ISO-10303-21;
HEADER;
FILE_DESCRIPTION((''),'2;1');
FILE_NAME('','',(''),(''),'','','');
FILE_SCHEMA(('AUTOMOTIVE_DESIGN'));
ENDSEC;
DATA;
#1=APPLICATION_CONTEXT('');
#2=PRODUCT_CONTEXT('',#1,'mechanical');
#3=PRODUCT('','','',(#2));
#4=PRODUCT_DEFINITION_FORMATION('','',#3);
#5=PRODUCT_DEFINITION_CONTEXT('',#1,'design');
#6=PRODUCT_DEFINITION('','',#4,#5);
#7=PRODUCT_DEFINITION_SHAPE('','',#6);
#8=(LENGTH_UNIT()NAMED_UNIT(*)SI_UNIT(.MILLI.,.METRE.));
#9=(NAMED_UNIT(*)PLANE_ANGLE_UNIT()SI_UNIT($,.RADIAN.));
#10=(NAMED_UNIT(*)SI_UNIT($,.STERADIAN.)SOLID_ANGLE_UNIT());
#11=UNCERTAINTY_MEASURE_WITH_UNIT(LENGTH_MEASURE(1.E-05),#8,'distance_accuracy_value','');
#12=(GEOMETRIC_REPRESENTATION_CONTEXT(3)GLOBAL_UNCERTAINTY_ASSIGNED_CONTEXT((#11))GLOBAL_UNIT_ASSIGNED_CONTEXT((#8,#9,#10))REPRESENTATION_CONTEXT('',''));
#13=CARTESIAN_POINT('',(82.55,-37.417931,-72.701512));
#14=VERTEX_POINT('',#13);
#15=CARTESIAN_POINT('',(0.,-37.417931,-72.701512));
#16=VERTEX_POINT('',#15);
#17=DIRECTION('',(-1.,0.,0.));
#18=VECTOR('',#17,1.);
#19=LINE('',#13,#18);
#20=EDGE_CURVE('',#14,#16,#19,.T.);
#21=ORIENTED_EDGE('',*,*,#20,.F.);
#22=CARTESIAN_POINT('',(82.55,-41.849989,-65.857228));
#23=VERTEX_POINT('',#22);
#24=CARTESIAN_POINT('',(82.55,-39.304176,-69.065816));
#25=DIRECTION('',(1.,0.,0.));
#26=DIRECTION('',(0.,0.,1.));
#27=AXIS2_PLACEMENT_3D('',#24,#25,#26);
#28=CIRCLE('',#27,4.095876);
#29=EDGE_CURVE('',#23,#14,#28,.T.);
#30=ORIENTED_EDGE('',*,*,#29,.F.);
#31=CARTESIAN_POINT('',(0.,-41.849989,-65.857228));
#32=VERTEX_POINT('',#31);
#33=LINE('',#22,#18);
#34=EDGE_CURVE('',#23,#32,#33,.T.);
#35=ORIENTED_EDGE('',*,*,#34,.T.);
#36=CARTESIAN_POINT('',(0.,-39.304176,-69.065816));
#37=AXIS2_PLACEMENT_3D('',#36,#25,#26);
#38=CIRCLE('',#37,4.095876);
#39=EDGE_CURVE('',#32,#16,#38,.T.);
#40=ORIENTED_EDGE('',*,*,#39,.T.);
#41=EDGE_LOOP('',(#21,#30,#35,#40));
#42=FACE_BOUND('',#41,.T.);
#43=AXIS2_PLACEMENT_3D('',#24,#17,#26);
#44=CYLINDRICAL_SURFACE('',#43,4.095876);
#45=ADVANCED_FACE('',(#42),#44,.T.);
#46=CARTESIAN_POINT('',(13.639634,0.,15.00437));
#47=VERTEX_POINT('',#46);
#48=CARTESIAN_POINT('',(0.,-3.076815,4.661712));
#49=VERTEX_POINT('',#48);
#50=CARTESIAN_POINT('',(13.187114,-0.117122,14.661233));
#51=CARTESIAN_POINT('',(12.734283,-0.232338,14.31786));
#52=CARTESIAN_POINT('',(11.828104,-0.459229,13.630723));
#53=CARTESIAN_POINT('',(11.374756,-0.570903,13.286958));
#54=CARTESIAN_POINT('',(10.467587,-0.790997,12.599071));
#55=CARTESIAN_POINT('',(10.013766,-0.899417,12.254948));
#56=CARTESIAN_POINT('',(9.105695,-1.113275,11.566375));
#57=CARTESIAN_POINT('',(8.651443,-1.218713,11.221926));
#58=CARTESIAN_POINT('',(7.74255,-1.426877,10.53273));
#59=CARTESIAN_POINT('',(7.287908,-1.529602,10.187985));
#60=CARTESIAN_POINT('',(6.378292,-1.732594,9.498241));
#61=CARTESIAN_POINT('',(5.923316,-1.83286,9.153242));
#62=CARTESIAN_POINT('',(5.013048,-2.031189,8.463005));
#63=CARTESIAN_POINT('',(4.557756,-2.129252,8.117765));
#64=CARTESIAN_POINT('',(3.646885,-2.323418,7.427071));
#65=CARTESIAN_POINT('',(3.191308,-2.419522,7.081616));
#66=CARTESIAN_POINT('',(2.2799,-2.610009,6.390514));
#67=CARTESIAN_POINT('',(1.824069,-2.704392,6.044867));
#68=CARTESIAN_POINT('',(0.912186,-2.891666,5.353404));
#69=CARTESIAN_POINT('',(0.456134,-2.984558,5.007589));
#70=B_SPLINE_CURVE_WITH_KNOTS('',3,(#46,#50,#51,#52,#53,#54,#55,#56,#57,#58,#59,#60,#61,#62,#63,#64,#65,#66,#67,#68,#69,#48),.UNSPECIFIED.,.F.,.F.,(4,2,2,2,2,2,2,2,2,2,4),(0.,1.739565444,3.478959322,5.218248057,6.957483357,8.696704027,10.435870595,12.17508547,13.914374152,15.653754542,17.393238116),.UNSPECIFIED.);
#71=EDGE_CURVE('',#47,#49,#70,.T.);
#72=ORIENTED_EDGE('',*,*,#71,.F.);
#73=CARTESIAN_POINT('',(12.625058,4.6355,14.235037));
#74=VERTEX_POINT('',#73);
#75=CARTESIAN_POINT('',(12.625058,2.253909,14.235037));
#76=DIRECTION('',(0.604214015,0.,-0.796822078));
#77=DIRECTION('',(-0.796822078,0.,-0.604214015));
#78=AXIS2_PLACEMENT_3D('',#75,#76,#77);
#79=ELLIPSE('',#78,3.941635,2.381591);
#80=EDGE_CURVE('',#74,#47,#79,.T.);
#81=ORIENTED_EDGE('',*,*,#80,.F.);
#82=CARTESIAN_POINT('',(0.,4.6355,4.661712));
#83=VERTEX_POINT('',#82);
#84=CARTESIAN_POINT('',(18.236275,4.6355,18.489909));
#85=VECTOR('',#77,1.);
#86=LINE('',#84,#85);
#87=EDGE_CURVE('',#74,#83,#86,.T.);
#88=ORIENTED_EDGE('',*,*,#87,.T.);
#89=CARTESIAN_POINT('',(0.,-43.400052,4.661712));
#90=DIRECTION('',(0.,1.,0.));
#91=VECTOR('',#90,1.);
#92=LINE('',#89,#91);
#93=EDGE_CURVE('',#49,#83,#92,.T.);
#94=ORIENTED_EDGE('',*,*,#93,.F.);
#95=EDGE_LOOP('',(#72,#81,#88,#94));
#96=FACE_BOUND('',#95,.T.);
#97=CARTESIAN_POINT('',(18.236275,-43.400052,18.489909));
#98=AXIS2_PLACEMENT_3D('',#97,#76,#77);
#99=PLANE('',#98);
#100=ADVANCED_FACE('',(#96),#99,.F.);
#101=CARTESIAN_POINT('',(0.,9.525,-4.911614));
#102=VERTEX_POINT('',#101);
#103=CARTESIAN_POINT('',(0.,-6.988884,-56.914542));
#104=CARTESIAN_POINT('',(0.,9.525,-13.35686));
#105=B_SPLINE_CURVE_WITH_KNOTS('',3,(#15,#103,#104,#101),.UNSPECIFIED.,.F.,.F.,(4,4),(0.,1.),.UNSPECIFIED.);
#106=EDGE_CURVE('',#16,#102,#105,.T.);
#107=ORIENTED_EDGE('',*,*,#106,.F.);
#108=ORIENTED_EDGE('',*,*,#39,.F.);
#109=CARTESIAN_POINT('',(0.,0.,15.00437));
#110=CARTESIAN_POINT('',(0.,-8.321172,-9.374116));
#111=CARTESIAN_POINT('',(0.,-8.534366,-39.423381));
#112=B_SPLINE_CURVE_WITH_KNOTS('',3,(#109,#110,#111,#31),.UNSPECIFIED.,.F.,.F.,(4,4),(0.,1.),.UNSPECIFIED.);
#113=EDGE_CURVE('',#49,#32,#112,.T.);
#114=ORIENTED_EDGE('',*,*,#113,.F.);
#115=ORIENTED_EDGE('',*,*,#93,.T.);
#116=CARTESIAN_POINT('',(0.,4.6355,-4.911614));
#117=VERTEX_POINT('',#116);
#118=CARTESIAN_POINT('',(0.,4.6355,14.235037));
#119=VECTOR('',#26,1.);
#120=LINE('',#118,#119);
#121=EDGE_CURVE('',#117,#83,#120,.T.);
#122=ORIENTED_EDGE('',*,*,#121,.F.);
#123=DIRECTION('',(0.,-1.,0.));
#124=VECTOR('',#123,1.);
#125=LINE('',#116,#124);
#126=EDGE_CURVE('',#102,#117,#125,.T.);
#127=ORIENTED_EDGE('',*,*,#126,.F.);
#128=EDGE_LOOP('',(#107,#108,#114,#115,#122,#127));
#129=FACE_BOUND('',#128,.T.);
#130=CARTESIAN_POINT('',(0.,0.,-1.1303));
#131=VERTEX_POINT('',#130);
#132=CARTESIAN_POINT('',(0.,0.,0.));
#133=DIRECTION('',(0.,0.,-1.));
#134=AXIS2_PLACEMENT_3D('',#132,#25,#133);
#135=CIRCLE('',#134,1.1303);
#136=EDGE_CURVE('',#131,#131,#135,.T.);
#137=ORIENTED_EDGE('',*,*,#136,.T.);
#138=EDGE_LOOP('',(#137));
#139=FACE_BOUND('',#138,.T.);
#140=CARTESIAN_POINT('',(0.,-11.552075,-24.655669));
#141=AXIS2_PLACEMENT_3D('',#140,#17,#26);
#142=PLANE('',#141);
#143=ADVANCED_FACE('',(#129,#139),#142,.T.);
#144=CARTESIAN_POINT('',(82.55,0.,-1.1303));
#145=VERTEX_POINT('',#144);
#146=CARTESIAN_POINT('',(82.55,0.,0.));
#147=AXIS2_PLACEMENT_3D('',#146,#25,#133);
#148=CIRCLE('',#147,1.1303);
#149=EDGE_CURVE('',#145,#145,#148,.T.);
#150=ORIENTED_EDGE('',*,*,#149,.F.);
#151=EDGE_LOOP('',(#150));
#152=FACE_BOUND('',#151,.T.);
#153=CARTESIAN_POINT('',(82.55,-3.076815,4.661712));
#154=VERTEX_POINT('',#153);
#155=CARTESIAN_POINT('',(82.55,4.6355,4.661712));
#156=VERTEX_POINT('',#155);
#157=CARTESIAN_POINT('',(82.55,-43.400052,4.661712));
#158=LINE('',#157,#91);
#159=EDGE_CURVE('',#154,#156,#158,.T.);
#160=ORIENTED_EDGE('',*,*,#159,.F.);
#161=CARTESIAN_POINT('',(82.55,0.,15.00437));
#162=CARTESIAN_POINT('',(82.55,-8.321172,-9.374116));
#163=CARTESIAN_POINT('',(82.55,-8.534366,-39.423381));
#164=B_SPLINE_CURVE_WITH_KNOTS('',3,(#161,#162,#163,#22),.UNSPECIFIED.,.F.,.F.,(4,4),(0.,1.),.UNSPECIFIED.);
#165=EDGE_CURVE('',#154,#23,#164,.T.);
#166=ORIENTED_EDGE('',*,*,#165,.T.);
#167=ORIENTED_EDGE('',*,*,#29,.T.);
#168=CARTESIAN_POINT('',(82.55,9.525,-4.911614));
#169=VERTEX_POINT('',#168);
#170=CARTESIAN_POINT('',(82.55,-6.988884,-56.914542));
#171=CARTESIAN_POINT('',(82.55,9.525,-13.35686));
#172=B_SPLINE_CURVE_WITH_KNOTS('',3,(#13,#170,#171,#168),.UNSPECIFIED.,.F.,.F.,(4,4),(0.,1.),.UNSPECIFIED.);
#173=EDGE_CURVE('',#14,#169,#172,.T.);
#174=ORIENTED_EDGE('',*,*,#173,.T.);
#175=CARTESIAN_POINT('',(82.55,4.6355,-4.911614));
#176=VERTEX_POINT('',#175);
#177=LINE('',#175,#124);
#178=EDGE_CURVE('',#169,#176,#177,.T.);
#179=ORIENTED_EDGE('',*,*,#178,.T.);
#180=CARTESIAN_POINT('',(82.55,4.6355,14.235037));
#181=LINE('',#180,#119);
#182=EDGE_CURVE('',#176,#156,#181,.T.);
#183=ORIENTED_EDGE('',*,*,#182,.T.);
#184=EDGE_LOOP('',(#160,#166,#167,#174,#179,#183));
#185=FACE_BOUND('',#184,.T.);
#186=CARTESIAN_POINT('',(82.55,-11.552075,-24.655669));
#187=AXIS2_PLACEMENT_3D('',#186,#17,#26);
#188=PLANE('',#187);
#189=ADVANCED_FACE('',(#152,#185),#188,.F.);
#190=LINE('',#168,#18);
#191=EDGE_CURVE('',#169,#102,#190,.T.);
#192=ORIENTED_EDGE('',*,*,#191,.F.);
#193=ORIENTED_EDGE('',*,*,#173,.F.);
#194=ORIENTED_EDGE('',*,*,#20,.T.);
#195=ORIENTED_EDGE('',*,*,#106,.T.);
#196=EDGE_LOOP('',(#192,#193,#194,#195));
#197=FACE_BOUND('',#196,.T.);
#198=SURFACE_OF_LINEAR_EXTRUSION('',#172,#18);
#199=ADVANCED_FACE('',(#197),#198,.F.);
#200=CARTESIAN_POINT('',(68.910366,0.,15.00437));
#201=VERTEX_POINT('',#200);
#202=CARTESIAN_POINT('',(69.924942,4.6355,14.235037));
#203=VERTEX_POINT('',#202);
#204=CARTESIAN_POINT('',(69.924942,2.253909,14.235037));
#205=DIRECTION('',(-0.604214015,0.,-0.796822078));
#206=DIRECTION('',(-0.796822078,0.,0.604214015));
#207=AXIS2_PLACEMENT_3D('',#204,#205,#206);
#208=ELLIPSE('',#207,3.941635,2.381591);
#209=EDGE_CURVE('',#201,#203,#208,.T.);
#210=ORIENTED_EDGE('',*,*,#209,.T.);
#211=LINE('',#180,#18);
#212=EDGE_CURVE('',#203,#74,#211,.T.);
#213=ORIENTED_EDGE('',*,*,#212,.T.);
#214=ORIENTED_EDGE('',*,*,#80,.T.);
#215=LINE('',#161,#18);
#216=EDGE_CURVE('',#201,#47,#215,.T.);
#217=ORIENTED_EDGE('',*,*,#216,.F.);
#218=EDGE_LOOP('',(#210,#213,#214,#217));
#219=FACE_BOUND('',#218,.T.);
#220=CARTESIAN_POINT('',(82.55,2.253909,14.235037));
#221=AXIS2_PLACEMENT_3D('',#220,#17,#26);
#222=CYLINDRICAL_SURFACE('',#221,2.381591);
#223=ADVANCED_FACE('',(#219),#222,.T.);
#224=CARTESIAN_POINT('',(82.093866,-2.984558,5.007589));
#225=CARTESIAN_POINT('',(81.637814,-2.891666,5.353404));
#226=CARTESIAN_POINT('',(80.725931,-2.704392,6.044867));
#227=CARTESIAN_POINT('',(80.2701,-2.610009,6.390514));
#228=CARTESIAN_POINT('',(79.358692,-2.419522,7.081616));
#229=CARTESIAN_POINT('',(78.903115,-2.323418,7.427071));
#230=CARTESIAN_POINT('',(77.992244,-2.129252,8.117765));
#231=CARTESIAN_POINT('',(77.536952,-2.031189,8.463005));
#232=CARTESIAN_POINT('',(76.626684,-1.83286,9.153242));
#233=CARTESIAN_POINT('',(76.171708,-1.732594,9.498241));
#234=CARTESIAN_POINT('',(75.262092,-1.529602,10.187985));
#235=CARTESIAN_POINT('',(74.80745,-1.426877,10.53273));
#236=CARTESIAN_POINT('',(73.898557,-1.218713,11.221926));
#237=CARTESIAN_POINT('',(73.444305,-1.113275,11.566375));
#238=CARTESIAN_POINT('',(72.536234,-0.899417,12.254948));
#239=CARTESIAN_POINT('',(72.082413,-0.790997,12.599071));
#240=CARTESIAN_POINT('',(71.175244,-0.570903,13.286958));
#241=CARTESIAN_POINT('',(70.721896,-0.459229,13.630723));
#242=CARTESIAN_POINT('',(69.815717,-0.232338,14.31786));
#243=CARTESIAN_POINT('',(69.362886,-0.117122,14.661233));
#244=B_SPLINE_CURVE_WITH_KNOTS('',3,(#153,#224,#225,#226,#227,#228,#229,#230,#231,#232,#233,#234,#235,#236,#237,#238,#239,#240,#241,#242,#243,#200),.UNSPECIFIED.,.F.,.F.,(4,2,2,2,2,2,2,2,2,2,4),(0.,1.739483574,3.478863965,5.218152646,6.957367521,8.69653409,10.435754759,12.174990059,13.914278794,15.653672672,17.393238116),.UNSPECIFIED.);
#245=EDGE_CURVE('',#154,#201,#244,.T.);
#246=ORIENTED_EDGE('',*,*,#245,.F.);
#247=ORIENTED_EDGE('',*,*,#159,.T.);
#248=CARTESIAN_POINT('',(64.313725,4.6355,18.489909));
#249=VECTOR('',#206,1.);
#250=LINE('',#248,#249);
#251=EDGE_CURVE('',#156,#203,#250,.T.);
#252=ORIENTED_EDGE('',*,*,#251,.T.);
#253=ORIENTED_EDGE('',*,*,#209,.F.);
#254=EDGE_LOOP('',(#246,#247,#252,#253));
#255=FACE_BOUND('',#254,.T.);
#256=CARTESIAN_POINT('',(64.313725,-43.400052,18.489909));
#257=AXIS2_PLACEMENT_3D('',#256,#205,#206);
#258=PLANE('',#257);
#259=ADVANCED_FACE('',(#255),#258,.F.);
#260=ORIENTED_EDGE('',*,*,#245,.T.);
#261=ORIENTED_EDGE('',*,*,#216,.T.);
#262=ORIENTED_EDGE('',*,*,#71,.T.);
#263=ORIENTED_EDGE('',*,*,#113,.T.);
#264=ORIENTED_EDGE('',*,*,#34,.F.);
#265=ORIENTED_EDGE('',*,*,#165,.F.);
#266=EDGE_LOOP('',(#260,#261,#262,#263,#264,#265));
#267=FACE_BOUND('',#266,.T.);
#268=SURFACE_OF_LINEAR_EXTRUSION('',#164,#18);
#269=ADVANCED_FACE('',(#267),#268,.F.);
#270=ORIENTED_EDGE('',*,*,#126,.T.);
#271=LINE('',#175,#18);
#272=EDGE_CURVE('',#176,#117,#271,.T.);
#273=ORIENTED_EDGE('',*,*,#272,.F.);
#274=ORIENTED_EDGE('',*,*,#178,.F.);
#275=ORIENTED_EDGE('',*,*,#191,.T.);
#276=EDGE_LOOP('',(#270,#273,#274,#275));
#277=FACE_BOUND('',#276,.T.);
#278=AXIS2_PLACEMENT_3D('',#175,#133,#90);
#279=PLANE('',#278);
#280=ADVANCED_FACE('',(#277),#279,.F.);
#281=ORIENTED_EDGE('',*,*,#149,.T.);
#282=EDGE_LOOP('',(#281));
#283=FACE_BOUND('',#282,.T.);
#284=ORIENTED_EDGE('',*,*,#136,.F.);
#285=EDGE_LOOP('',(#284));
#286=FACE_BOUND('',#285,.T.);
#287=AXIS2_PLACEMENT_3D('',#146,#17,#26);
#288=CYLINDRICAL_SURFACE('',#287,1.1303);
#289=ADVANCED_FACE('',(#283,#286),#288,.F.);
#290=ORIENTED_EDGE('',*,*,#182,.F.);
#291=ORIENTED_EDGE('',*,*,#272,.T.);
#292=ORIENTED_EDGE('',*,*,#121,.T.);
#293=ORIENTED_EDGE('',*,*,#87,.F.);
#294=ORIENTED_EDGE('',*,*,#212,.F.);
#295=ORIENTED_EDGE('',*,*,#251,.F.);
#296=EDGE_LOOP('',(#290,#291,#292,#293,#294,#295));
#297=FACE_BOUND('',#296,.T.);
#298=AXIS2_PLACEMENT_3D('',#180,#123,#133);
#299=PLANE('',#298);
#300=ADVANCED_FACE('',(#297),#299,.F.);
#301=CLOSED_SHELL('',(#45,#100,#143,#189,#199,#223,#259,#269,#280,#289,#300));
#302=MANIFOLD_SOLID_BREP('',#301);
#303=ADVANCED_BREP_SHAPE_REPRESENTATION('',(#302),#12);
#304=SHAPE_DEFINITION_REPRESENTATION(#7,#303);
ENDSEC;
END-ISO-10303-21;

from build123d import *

# Parameters (mm, degrees)
SKETCH1_R           = 1.1303
BOSS_EXTRUDE1_DEPTH = 82.55
CUT_EXTRUDE1_DEPTH  = 121.310224488


with BuildPart() as part:
    # Sketch1 → Boss-Extrude1 (new body)
    with BuildSketch(Plane(origin=(0, 0, 0), x_dir=(0, 0, -1), z_dir=(1, 0, 0))):
        with BuildLine():
            Line((-14.235037061, 4.6355), (4.911613569, 4.6355))
            Line((4.911613569, 4.6355), (4.911613569, 9.525))
            add(Edge.make_bspline(
                [(4.911613569, 9.525), (13.356859809, 9.525), (56.914542054, -6.988883897), (72.701512247, -37.41793147)],
                knots=[0, 0, 0, 0, 1, 1, 1, 1], degree=3))
            ThreePointArc((72.701512247, -37.41793147), (71.292110965, -42.742171877), (65.857227597, -41.849988788))
            add(Edge.make_bspline(
                [(-15.004369583, 0), (9.374116417, -8.321172008), (39.423381365, -8.534365891), (65.857227597, -41.849988788)],
                knots=[0, 0, 0, 0, 1, 1, 1, 1], degree=3))
            ThreePointArc((-15.004369583, 0), (-16.584490869, 2.643836713), (-14.235037061, 4.6355))
        make_face()
        Circle(SKETCH1_R, mode=Mode.SUBTRACT)
    extrude(amount=BOSS_EXTRUDE1_DEPTH)

    # Sketch2 → Cut-Extrude1 (cut, through all)
    with BuildSketch(Plane(origin=(0, 4.6355, 0), x_dir=(1, 0, 0), z_dir=(0, 1, 0))):
        Polygon((0, -4.661711746), (0, -18.489908959), (18.236274836, -18.489908959), align=None)
        Polygon((82.55, -4.661711746), (82.55, -18.489908959), (64.313725164, -18.489908959), align=None)
    extrude(amount=-CUT_EXTRUDE1_DEPTH, mode=Mode.SUBTRACT)


solid = part.part
